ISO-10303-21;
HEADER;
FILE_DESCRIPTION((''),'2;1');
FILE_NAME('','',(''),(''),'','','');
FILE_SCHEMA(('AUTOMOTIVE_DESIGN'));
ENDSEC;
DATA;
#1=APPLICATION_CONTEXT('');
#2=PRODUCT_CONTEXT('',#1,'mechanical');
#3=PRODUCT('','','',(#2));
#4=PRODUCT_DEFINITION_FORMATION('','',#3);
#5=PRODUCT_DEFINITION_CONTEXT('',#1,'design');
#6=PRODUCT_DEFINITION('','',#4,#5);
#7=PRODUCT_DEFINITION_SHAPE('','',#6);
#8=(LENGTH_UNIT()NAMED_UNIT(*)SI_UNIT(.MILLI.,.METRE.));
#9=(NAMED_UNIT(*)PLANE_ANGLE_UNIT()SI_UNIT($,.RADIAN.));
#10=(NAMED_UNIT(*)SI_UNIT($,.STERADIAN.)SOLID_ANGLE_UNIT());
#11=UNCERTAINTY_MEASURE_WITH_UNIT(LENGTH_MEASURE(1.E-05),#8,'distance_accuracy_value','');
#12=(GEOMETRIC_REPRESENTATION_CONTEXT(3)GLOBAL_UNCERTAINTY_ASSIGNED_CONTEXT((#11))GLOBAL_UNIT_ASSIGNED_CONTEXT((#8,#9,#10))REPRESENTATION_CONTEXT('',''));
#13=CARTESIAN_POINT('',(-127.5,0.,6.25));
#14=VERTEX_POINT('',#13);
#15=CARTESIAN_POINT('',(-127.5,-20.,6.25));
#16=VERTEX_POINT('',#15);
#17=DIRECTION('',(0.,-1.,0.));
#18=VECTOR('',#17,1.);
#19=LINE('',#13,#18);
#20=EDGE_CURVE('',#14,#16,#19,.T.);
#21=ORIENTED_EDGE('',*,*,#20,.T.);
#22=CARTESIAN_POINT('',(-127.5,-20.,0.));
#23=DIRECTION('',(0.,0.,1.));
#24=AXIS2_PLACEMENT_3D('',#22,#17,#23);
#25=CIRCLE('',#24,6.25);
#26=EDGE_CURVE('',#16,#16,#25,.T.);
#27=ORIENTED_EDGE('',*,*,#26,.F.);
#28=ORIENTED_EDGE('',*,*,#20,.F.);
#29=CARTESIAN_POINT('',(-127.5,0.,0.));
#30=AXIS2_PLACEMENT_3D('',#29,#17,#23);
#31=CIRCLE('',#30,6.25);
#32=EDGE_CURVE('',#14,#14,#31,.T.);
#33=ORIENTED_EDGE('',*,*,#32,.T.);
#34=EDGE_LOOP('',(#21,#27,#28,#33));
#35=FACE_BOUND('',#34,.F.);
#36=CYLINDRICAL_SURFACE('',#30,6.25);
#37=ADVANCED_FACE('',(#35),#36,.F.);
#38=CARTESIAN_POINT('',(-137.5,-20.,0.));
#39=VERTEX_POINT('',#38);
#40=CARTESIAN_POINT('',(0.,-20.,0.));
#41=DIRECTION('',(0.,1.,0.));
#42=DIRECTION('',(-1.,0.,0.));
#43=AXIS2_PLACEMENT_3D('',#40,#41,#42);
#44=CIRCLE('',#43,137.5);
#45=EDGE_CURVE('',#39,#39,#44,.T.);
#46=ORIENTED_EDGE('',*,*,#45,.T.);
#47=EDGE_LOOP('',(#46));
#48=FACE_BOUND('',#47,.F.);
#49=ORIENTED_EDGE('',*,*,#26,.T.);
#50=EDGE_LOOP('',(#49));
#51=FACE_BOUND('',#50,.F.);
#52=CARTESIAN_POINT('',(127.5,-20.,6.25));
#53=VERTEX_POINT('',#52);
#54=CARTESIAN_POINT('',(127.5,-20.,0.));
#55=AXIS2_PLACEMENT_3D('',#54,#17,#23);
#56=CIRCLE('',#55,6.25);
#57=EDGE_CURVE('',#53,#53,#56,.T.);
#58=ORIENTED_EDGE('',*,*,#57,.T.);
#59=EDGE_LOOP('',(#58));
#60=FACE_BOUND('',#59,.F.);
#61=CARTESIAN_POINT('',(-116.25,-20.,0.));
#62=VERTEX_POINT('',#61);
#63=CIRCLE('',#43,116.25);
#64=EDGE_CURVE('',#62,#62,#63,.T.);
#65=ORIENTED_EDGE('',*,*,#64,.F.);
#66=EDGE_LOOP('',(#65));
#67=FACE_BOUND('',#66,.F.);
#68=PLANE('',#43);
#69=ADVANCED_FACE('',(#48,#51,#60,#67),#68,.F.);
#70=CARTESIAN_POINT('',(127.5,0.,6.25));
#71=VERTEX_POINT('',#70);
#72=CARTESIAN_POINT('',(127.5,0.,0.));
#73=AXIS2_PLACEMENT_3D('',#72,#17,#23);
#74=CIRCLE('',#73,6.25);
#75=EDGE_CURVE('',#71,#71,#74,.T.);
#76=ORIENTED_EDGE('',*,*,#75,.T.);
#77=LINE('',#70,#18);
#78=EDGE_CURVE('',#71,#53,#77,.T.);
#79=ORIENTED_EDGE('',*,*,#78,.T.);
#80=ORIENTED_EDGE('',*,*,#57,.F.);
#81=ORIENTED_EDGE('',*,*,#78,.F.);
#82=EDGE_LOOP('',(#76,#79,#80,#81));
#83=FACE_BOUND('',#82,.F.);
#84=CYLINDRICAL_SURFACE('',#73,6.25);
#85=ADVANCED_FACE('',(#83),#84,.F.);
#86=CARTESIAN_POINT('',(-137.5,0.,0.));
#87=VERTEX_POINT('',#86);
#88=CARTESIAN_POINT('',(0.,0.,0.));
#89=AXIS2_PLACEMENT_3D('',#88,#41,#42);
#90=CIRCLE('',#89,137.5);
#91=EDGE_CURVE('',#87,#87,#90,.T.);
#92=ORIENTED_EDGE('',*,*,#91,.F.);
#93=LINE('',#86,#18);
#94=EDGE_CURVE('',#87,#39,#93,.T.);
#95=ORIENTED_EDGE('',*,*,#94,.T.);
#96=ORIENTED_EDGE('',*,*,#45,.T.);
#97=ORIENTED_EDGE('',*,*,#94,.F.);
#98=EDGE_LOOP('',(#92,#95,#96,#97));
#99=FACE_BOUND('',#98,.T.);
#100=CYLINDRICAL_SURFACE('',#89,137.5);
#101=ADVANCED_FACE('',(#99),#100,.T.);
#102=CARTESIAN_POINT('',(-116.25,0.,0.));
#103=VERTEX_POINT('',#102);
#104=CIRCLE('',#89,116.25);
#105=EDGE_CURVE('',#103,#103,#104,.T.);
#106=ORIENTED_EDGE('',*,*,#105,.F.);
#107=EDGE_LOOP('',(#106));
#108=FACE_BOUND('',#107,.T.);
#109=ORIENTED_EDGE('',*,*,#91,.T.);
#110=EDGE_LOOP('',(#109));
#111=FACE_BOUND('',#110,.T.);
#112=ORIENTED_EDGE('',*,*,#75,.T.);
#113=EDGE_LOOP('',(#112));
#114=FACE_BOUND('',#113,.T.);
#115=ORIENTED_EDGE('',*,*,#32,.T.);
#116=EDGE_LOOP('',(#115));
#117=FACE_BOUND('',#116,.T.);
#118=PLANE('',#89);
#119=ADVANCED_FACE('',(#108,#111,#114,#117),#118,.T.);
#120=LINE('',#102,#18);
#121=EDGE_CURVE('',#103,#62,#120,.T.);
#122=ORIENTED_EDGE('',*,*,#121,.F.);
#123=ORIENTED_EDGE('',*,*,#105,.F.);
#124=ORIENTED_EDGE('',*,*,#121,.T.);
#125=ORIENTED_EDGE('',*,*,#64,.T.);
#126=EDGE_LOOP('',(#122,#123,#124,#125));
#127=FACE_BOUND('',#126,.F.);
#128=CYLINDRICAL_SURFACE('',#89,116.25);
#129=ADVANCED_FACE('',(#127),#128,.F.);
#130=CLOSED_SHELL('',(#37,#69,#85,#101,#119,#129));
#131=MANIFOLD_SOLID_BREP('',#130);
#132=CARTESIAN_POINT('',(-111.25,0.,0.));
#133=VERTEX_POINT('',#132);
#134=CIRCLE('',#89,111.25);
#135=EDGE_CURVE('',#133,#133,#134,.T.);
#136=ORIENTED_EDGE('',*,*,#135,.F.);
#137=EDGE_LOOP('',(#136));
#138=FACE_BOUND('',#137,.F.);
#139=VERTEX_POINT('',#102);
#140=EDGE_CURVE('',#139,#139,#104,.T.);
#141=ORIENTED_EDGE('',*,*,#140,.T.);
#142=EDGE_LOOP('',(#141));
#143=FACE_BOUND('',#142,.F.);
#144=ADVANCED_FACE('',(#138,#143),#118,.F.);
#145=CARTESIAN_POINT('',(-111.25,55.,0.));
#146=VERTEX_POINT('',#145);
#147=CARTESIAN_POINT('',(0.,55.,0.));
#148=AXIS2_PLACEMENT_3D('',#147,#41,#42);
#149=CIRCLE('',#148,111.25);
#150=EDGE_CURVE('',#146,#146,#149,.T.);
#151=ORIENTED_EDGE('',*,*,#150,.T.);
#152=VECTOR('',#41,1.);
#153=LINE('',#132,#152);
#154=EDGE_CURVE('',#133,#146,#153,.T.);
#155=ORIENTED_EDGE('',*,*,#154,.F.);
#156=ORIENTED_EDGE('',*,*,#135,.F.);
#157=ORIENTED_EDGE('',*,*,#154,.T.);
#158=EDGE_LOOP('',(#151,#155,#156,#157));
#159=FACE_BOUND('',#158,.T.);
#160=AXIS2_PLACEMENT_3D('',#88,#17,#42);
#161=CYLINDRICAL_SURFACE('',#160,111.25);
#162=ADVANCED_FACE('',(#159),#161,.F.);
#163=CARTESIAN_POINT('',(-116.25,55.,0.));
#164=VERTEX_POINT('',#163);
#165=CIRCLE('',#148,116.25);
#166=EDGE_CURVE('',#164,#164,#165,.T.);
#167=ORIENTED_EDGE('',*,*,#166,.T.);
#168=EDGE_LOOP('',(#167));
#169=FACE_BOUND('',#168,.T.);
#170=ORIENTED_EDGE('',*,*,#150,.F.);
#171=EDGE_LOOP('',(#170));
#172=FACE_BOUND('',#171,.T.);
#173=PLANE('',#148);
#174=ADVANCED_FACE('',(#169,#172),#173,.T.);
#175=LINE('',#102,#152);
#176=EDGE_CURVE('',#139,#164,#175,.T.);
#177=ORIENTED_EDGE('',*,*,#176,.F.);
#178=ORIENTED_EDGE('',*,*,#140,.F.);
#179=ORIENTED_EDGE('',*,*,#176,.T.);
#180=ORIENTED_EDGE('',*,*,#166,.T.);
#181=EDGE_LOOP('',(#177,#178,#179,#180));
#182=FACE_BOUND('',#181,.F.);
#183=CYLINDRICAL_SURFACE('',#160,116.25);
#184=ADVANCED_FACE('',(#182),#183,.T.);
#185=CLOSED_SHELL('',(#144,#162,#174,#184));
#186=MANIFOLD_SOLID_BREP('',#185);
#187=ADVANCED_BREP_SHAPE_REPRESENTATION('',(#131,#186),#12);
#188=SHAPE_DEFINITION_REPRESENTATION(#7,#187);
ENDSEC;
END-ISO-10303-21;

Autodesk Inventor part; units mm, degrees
ref_plane "YZ Plane" through (0, 0, 0) normal (1, 0, 0) x (0, 1, 0)
ref_plane "XZ Plane" through (0, 0, 0) normal (0, 1, 0) x (-1, 0, 0)
ref_plane "XY Plane" through (0, 0, 0) normal (0, 0, 1) x (1, 0, 0)
sketch "Skizze1" plane through (0, 0, 0) normal (0, 1, 0) x (-1, 0, 0)
  circle A0 centre (0, 0) radius 137.5
  circle A1 centre (0, 0) radius 116.25
  circle A2 centre (0, 0) radius 111.25
  dimension "d0" = 275
  dimension "d1" = 232.5
  dimension "d2" = 222.5
extrude "Extrusion1" add sketch "Skizze1" against normal blind 20 contours A0
extrude "Extrusion2" add sketch "Skizze1" along normal blind 55 contours A1
sketch "Skizze2" plane through (0, 0, 0) normal (0, 1, 0) x (1, 0, 0)
  point P0 (0, 0)
  point P1 (-127.5, 0)
  point P2 (127.5, 0)
  dimension "d14" = 127.5
  dimension "d15" = 127.5
hole "Bohrung1" at (-127.5, 0, 0) at (127.5, 0, 0) direction (0, -1, 0) diameter 12.5 depth 20
properties part number "4" material "Stahl, Kohlenstoff"
